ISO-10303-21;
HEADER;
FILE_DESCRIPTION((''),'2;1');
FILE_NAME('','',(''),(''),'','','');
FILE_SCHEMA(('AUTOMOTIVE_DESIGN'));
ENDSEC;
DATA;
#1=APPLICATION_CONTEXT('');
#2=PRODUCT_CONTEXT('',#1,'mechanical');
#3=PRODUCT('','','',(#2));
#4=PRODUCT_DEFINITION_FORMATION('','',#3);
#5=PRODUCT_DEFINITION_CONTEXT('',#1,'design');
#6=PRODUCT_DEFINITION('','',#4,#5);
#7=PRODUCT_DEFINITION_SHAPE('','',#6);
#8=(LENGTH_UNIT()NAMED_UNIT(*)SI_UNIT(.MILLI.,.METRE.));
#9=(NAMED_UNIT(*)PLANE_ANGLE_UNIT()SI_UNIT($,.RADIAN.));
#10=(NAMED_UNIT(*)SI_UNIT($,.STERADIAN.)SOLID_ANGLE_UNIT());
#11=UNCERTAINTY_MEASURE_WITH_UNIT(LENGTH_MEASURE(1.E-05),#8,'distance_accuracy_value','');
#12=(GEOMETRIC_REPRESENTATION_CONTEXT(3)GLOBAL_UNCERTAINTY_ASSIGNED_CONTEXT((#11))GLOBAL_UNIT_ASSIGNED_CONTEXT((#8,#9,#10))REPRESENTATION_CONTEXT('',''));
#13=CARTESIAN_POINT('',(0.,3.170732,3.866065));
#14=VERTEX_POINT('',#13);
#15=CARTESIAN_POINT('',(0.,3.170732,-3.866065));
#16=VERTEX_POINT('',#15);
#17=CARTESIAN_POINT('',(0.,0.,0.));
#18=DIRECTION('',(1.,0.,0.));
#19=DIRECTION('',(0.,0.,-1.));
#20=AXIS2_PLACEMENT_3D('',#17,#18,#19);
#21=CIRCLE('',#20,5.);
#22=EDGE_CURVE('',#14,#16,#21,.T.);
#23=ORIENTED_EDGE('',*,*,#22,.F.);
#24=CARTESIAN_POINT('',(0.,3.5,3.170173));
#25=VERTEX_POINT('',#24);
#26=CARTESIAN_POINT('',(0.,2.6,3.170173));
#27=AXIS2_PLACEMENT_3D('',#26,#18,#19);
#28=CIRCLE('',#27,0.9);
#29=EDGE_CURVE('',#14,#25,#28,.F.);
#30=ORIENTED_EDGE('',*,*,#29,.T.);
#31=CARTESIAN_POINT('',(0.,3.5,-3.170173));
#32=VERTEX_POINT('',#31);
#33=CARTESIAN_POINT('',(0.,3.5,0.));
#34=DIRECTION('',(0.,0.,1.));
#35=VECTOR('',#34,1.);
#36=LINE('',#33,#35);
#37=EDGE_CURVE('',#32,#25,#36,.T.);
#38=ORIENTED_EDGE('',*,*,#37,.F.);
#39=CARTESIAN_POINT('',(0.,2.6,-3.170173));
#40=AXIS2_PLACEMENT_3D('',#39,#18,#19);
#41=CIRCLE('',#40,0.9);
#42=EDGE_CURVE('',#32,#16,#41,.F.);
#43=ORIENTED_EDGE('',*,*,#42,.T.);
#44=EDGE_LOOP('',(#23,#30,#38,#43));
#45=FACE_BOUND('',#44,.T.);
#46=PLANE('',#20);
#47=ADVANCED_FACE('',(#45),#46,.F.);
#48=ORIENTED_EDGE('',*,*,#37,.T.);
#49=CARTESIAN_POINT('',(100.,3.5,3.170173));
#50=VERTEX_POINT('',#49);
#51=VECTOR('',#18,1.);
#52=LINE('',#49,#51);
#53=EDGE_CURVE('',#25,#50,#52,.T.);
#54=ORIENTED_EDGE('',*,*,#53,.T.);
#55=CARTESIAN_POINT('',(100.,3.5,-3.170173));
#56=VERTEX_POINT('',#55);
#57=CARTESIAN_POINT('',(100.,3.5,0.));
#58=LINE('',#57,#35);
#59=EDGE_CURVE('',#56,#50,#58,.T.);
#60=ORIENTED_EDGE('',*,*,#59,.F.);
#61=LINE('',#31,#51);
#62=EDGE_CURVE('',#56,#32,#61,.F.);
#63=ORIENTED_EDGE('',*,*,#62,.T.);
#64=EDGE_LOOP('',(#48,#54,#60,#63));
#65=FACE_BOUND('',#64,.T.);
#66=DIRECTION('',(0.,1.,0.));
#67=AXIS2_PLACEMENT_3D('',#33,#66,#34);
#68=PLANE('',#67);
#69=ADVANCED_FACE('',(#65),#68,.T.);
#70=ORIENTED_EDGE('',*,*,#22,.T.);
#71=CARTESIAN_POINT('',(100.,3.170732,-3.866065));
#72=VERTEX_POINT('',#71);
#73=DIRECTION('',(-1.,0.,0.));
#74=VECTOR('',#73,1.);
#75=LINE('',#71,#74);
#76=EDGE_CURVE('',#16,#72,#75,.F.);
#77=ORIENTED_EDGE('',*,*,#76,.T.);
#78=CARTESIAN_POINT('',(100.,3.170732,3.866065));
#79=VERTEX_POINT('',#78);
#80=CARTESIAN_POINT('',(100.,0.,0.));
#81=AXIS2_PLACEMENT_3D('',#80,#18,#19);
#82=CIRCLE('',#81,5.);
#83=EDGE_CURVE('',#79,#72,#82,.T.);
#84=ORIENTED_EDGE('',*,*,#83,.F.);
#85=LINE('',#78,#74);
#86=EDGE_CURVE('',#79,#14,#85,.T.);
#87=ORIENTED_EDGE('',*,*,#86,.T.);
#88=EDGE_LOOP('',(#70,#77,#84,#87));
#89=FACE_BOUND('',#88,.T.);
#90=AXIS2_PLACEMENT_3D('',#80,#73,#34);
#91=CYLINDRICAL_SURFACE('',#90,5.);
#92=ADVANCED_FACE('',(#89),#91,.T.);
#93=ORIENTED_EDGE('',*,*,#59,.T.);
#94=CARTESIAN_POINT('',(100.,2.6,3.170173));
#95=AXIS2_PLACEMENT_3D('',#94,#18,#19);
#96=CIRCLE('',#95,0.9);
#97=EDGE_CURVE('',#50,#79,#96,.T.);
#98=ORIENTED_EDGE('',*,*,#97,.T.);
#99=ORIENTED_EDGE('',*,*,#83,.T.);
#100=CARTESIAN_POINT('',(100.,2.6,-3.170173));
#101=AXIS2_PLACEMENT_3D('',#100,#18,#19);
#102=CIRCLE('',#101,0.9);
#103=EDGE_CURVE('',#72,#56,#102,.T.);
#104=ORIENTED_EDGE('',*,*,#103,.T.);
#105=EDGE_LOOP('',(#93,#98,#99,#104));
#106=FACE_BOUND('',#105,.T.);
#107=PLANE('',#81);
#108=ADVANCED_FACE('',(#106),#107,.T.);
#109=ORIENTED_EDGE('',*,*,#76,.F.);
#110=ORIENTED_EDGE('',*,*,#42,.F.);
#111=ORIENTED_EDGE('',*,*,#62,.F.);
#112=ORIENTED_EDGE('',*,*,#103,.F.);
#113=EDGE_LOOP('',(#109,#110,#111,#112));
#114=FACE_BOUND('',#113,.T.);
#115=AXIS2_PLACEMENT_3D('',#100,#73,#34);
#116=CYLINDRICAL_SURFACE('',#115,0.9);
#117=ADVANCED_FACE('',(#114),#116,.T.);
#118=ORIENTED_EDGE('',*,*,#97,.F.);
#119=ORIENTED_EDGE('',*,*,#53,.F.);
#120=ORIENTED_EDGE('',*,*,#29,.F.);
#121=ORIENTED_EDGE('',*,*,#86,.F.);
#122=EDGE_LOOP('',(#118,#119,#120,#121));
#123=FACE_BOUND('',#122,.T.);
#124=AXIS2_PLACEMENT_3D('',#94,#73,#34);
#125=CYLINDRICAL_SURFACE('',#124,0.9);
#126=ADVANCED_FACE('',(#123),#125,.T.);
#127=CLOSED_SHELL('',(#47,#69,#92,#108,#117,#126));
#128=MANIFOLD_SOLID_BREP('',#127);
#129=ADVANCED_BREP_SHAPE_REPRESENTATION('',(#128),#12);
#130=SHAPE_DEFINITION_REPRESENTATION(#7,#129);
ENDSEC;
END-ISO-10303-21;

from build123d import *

# Parameters (mm, degrees)
SKETCH1_R           = 5
BOSS_EXTRUDE1_DEPTH = 100
SKETCH2_W           = 5.740134486
SKETCH2_H           = 2.400249814
SKETCH2_W_2         = 4.427188802
CUT_EXTRUDE1_DEPTH  = 101
FILLET1_R           = 0.9


with BuildPart() as part:
    # Sketch1 → Boss-Extrude1 (new body)
    with BuildSketch(Plane(origin=(0, 0, 0), x_dir=(0, 0, -1), z_dir=(1, 0, 0))):
        Circle(SKETCH1_R)
    extrude(amount=BOSS_EXTRUDE1_DEPTH)

    # Sketch2 → Cut-Extrude1 (cut, through all)
    with BuildSketch(Plane(origin=(100, 0, 0), x_dir=(0, 0, -1), z_dir=(1, 0, 0))):
        with Locations((-2.870067243, 4.700124907)):
            Rectangle(SKETCH2_W, SKETCH2_H)
        with Locations((2.213594401, 4.700124907)):
            Rectangle(SKETCH2_W_2, SKETCH2_H)
    extrude(amount=-CUT_EXTRUDE1_DEPTH, mode=Mode.SUBTRACT)

    # Fillet1
    fillet1_edges = [part.edges().sort_by_distance(p)[0] for p in [
        (50, 3.5, -3.570714214),
        (50, 3.5, 3.570714214),
    ]]
    fillet(fillet1_edges, radius=FILLET1_R)


solid = part.part
